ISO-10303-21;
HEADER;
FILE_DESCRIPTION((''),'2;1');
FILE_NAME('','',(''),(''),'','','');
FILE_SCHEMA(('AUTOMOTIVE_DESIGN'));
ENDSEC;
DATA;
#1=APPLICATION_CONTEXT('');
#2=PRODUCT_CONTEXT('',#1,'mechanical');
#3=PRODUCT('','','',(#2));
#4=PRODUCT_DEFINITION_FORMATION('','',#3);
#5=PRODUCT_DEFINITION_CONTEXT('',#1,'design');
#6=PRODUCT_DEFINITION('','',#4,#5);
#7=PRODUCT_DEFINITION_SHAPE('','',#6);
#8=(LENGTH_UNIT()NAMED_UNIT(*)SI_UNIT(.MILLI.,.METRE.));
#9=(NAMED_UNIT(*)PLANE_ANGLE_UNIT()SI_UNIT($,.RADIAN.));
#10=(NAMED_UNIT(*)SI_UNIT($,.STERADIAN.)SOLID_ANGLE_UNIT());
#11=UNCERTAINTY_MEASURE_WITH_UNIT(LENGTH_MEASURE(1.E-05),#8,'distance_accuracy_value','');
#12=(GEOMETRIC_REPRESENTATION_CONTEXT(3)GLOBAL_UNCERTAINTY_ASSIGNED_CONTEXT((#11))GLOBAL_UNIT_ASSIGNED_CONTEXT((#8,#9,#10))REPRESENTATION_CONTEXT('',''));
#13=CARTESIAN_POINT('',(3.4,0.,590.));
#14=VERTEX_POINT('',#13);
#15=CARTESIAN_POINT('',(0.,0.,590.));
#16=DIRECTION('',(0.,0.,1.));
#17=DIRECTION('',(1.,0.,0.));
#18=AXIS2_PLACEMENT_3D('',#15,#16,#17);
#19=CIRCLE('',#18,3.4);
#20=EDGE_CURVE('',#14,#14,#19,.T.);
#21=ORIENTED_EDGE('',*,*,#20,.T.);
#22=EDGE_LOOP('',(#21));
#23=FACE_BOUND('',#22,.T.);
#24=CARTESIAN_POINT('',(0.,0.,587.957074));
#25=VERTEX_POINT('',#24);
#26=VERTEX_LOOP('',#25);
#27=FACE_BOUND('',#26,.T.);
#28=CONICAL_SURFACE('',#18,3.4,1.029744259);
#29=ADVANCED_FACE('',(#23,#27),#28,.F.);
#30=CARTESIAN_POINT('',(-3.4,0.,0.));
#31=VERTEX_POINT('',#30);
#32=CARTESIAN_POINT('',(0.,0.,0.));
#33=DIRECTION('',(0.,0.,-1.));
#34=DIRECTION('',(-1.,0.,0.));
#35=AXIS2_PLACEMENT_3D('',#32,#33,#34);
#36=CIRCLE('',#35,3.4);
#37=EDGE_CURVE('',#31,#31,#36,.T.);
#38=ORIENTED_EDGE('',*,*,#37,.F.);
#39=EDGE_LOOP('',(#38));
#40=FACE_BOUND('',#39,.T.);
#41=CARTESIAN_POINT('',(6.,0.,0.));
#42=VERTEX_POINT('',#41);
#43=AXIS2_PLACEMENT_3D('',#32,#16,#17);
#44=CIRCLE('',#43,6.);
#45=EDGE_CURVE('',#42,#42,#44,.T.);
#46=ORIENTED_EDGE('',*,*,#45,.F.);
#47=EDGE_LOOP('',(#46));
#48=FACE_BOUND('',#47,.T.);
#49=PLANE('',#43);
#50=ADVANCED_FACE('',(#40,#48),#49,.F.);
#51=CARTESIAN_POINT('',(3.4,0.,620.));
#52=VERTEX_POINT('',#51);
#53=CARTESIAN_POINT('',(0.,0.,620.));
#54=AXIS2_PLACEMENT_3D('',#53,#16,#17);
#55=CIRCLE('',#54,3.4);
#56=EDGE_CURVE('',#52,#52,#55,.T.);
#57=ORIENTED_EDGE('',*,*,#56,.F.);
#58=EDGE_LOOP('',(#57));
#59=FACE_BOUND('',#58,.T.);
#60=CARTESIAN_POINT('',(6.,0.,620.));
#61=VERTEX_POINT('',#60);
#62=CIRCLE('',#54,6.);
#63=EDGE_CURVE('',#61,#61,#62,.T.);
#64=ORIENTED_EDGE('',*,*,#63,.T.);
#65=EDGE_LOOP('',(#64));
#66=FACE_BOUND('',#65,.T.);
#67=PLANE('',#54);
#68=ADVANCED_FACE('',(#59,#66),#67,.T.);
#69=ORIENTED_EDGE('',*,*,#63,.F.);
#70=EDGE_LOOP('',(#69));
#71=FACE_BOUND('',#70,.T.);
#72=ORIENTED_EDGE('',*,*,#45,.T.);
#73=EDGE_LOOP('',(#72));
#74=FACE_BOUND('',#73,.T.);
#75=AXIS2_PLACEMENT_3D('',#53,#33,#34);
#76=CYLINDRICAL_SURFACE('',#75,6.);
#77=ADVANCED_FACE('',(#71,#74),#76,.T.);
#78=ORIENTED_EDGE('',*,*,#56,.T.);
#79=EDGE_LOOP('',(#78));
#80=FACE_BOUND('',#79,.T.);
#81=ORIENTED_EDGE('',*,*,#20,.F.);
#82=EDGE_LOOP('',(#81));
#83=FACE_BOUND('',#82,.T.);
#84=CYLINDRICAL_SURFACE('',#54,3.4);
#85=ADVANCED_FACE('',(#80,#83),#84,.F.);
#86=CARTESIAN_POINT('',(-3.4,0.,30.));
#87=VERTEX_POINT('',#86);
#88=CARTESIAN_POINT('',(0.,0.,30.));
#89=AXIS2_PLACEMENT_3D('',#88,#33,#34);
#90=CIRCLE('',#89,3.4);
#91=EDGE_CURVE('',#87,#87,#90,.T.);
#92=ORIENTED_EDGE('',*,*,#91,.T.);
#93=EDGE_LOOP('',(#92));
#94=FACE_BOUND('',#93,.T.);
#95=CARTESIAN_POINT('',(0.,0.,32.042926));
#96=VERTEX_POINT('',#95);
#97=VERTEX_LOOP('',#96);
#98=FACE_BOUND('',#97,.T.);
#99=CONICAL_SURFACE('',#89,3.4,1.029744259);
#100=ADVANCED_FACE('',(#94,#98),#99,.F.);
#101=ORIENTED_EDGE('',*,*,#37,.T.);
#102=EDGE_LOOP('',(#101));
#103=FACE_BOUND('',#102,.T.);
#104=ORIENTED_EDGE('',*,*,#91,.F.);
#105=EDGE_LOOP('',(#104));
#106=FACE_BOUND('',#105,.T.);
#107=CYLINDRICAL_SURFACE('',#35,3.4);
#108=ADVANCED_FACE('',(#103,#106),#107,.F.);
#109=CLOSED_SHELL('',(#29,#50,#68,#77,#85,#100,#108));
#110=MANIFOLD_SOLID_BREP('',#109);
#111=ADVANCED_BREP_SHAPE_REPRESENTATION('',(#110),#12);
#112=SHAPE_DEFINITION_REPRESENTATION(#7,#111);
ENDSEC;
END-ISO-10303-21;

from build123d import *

# Parameters (mm, degrees)
CROQUIS1_R                = 6
SALIENTE_EXTRUIR1_DEPTH   = 620
TALADRO_ROSCADO_M81_D     = 6.8
TALADRO_ROSCADO_M81_DEPTH = 30
TALADRO_ROSCADO_M81_TIP   = 2.042926105
TALADRO_ROSCADO_M82_D     = 6.8
TALADRO_ROSCADO_M82_DEPTH = 30
TALADRO_ROSCADO_M82_TIP   = 2.042926105


with BuildPart() as part:
    # Croquis1 → Saliente-Extruir1 (new body)
    with BuildSketch(Plane.XY):
        Circle(CROQUIS1_R)
    extrude(amount=SALIENTE_EXTRUIR1_DEPTH)

    # Taladro roscado M81
    with Locations(Plane.XY.offset(620)):
        with Locations((0, 0)):
            Hole(TALADRO_ROSCADO_M81_D / 2, depth=TALADRO_ROSCADO_M81_DEPTH)
            with Locations((0, 0, -(TALADRO_ROSCADO_M81_DEPTH + TALADRO_ROSCADO_M81_TIP / 2))):  # 118° drill point
                Cone(0, TALADRO_ROSCADO_M81_D / 2, TALADRO_ROSCADO_M81_TIP, mode=Mode.SUBTRACT)

    # Taladro roscado M82
    with Locations(Plane(origin=(0, 0, 0), x_dir=(-1, 0, 0), z_dir=(0, 0, -1))):
        with Locations((0, 0)):
            Hole(TALADRO_ROSCADO_M82_D / 2, depth=TALADRO_ROSCADO_M82_DEPTH)
            with Locations((0, 0, -(TALADRO_ROSCADO_M82_DEPTH + TALADRO_ROSCADO_M82_TIP / 2))):  # 118° drill point
                Cone(0, TALADRO_ROSCADO_M82_D / 2, TALADRO_ROSCADO_M82_TIP, mode=Mode.SUBTRACT)


solid = part.part
